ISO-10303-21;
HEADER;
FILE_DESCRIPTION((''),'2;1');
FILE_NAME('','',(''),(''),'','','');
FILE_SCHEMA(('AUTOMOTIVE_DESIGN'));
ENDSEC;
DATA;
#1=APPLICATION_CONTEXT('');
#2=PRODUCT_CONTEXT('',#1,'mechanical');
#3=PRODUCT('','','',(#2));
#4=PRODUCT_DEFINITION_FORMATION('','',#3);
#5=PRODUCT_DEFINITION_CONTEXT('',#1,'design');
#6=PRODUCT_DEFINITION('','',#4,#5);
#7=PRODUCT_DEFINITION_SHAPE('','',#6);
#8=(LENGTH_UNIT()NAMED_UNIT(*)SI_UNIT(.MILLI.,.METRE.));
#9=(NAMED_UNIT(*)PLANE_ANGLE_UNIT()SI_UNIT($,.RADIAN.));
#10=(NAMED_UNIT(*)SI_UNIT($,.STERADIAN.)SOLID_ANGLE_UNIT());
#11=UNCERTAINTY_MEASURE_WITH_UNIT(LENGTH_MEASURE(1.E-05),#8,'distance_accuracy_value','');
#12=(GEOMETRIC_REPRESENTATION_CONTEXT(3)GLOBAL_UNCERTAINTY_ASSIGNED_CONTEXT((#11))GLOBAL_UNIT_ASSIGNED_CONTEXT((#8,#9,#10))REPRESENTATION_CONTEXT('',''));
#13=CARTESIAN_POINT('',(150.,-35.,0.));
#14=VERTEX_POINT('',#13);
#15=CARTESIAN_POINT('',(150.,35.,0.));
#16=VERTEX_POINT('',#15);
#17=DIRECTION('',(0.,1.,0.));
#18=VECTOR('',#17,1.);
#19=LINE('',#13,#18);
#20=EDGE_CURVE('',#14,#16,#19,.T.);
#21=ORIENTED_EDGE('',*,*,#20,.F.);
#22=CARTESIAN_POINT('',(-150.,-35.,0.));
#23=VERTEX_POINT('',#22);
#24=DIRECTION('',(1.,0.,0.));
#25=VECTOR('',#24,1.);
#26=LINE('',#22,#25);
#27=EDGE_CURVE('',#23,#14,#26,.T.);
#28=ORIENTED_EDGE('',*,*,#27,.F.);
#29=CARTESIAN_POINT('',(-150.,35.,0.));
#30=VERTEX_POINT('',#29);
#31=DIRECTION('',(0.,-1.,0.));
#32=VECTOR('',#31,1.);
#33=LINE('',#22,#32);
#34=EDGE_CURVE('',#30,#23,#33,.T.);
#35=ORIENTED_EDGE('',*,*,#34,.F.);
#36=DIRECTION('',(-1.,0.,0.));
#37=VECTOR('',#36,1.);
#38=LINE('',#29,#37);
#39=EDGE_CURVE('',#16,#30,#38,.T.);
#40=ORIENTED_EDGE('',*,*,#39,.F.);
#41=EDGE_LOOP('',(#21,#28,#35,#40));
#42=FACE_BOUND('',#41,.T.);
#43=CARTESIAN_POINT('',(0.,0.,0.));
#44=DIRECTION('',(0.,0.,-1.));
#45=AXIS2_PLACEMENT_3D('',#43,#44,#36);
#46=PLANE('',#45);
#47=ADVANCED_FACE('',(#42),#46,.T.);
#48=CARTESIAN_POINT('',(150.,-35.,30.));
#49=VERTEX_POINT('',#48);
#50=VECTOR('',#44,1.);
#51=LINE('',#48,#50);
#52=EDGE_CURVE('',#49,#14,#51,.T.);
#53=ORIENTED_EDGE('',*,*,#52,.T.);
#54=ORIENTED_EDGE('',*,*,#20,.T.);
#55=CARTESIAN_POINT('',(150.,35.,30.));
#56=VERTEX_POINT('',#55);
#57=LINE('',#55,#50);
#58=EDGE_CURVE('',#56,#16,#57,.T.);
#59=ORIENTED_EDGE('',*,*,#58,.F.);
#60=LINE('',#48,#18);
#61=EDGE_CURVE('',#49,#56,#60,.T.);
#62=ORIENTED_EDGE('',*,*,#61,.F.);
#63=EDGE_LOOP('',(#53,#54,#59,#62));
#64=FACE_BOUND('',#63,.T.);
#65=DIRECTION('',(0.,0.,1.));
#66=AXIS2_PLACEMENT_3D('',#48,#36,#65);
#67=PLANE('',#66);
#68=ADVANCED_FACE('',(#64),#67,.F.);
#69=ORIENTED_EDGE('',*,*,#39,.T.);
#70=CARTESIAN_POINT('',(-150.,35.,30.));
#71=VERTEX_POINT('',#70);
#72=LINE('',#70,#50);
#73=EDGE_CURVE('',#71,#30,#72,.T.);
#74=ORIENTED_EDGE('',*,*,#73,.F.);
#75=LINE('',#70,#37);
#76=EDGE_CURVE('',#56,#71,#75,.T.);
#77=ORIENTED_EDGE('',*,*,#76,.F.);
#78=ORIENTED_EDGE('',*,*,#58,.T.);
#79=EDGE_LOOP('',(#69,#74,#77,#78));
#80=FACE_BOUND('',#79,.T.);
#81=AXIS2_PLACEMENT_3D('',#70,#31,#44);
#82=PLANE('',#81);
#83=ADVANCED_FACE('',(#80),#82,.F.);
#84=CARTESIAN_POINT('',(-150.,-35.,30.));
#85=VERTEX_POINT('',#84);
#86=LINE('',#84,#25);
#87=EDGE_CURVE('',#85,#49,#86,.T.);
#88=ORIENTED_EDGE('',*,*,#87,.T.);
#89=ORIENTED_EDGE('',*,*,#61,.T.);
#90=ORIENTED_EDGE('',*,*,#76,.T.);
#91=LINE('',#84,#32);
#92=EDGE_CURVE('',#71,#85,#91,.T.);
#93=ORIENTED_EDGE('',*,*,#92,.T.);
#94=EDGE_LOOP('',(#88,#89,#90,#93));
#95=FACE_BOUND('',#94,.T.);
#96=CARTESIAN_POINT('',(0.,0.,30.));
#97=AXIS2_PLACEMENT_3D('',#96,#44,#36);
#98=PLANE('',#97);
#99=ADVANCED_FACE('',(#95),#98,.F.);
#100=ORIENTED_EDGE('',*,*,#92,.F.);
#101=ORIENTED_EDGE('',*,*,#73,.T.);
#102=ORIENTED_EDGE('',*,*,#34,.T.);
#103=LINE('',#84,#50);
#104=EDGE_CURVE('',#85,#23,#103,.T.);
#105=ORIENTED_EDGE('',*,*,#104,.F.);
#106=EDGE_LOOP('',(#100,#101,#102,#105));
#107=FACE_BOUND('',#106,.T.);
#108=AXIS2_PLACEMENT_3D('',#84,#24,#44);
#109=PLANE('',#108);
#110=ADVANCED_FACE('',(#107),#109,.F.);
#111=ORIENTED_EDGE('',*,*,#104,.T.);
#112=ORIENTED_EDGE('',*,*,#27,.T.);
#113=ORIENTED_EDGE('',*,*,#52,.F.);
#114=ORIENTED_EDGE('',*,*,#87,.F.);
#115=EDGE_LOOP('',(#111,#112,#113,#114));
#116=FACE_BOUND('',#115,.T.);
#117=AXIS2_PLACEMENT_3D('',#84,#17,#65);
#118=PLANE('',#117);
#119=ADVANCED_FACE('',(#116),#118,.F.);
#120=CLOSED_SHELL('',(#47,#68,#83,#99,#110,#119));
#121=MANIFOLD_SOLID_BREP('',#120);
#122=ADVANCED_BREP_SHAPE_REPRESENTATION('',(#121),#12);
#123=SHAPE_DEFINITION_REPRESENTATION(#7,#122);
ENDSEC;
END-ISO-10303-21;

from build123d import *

# Parameters (mm, degrees)
SKETCH_1_W      = 300
SKETCH_1_H      = 70
EXTRUDE_1_DEPTH = 30


with BuildPart() as part:
    # 草图1 → 凸台-拉伸1 (new body)
    with BuildSketch(Plane.XY):
        Rectangle(SKETCH_1_W, SKETCH_1_H)
    extrude(amount=EXTRUDE_1_DEPTH)


solid = part.part
